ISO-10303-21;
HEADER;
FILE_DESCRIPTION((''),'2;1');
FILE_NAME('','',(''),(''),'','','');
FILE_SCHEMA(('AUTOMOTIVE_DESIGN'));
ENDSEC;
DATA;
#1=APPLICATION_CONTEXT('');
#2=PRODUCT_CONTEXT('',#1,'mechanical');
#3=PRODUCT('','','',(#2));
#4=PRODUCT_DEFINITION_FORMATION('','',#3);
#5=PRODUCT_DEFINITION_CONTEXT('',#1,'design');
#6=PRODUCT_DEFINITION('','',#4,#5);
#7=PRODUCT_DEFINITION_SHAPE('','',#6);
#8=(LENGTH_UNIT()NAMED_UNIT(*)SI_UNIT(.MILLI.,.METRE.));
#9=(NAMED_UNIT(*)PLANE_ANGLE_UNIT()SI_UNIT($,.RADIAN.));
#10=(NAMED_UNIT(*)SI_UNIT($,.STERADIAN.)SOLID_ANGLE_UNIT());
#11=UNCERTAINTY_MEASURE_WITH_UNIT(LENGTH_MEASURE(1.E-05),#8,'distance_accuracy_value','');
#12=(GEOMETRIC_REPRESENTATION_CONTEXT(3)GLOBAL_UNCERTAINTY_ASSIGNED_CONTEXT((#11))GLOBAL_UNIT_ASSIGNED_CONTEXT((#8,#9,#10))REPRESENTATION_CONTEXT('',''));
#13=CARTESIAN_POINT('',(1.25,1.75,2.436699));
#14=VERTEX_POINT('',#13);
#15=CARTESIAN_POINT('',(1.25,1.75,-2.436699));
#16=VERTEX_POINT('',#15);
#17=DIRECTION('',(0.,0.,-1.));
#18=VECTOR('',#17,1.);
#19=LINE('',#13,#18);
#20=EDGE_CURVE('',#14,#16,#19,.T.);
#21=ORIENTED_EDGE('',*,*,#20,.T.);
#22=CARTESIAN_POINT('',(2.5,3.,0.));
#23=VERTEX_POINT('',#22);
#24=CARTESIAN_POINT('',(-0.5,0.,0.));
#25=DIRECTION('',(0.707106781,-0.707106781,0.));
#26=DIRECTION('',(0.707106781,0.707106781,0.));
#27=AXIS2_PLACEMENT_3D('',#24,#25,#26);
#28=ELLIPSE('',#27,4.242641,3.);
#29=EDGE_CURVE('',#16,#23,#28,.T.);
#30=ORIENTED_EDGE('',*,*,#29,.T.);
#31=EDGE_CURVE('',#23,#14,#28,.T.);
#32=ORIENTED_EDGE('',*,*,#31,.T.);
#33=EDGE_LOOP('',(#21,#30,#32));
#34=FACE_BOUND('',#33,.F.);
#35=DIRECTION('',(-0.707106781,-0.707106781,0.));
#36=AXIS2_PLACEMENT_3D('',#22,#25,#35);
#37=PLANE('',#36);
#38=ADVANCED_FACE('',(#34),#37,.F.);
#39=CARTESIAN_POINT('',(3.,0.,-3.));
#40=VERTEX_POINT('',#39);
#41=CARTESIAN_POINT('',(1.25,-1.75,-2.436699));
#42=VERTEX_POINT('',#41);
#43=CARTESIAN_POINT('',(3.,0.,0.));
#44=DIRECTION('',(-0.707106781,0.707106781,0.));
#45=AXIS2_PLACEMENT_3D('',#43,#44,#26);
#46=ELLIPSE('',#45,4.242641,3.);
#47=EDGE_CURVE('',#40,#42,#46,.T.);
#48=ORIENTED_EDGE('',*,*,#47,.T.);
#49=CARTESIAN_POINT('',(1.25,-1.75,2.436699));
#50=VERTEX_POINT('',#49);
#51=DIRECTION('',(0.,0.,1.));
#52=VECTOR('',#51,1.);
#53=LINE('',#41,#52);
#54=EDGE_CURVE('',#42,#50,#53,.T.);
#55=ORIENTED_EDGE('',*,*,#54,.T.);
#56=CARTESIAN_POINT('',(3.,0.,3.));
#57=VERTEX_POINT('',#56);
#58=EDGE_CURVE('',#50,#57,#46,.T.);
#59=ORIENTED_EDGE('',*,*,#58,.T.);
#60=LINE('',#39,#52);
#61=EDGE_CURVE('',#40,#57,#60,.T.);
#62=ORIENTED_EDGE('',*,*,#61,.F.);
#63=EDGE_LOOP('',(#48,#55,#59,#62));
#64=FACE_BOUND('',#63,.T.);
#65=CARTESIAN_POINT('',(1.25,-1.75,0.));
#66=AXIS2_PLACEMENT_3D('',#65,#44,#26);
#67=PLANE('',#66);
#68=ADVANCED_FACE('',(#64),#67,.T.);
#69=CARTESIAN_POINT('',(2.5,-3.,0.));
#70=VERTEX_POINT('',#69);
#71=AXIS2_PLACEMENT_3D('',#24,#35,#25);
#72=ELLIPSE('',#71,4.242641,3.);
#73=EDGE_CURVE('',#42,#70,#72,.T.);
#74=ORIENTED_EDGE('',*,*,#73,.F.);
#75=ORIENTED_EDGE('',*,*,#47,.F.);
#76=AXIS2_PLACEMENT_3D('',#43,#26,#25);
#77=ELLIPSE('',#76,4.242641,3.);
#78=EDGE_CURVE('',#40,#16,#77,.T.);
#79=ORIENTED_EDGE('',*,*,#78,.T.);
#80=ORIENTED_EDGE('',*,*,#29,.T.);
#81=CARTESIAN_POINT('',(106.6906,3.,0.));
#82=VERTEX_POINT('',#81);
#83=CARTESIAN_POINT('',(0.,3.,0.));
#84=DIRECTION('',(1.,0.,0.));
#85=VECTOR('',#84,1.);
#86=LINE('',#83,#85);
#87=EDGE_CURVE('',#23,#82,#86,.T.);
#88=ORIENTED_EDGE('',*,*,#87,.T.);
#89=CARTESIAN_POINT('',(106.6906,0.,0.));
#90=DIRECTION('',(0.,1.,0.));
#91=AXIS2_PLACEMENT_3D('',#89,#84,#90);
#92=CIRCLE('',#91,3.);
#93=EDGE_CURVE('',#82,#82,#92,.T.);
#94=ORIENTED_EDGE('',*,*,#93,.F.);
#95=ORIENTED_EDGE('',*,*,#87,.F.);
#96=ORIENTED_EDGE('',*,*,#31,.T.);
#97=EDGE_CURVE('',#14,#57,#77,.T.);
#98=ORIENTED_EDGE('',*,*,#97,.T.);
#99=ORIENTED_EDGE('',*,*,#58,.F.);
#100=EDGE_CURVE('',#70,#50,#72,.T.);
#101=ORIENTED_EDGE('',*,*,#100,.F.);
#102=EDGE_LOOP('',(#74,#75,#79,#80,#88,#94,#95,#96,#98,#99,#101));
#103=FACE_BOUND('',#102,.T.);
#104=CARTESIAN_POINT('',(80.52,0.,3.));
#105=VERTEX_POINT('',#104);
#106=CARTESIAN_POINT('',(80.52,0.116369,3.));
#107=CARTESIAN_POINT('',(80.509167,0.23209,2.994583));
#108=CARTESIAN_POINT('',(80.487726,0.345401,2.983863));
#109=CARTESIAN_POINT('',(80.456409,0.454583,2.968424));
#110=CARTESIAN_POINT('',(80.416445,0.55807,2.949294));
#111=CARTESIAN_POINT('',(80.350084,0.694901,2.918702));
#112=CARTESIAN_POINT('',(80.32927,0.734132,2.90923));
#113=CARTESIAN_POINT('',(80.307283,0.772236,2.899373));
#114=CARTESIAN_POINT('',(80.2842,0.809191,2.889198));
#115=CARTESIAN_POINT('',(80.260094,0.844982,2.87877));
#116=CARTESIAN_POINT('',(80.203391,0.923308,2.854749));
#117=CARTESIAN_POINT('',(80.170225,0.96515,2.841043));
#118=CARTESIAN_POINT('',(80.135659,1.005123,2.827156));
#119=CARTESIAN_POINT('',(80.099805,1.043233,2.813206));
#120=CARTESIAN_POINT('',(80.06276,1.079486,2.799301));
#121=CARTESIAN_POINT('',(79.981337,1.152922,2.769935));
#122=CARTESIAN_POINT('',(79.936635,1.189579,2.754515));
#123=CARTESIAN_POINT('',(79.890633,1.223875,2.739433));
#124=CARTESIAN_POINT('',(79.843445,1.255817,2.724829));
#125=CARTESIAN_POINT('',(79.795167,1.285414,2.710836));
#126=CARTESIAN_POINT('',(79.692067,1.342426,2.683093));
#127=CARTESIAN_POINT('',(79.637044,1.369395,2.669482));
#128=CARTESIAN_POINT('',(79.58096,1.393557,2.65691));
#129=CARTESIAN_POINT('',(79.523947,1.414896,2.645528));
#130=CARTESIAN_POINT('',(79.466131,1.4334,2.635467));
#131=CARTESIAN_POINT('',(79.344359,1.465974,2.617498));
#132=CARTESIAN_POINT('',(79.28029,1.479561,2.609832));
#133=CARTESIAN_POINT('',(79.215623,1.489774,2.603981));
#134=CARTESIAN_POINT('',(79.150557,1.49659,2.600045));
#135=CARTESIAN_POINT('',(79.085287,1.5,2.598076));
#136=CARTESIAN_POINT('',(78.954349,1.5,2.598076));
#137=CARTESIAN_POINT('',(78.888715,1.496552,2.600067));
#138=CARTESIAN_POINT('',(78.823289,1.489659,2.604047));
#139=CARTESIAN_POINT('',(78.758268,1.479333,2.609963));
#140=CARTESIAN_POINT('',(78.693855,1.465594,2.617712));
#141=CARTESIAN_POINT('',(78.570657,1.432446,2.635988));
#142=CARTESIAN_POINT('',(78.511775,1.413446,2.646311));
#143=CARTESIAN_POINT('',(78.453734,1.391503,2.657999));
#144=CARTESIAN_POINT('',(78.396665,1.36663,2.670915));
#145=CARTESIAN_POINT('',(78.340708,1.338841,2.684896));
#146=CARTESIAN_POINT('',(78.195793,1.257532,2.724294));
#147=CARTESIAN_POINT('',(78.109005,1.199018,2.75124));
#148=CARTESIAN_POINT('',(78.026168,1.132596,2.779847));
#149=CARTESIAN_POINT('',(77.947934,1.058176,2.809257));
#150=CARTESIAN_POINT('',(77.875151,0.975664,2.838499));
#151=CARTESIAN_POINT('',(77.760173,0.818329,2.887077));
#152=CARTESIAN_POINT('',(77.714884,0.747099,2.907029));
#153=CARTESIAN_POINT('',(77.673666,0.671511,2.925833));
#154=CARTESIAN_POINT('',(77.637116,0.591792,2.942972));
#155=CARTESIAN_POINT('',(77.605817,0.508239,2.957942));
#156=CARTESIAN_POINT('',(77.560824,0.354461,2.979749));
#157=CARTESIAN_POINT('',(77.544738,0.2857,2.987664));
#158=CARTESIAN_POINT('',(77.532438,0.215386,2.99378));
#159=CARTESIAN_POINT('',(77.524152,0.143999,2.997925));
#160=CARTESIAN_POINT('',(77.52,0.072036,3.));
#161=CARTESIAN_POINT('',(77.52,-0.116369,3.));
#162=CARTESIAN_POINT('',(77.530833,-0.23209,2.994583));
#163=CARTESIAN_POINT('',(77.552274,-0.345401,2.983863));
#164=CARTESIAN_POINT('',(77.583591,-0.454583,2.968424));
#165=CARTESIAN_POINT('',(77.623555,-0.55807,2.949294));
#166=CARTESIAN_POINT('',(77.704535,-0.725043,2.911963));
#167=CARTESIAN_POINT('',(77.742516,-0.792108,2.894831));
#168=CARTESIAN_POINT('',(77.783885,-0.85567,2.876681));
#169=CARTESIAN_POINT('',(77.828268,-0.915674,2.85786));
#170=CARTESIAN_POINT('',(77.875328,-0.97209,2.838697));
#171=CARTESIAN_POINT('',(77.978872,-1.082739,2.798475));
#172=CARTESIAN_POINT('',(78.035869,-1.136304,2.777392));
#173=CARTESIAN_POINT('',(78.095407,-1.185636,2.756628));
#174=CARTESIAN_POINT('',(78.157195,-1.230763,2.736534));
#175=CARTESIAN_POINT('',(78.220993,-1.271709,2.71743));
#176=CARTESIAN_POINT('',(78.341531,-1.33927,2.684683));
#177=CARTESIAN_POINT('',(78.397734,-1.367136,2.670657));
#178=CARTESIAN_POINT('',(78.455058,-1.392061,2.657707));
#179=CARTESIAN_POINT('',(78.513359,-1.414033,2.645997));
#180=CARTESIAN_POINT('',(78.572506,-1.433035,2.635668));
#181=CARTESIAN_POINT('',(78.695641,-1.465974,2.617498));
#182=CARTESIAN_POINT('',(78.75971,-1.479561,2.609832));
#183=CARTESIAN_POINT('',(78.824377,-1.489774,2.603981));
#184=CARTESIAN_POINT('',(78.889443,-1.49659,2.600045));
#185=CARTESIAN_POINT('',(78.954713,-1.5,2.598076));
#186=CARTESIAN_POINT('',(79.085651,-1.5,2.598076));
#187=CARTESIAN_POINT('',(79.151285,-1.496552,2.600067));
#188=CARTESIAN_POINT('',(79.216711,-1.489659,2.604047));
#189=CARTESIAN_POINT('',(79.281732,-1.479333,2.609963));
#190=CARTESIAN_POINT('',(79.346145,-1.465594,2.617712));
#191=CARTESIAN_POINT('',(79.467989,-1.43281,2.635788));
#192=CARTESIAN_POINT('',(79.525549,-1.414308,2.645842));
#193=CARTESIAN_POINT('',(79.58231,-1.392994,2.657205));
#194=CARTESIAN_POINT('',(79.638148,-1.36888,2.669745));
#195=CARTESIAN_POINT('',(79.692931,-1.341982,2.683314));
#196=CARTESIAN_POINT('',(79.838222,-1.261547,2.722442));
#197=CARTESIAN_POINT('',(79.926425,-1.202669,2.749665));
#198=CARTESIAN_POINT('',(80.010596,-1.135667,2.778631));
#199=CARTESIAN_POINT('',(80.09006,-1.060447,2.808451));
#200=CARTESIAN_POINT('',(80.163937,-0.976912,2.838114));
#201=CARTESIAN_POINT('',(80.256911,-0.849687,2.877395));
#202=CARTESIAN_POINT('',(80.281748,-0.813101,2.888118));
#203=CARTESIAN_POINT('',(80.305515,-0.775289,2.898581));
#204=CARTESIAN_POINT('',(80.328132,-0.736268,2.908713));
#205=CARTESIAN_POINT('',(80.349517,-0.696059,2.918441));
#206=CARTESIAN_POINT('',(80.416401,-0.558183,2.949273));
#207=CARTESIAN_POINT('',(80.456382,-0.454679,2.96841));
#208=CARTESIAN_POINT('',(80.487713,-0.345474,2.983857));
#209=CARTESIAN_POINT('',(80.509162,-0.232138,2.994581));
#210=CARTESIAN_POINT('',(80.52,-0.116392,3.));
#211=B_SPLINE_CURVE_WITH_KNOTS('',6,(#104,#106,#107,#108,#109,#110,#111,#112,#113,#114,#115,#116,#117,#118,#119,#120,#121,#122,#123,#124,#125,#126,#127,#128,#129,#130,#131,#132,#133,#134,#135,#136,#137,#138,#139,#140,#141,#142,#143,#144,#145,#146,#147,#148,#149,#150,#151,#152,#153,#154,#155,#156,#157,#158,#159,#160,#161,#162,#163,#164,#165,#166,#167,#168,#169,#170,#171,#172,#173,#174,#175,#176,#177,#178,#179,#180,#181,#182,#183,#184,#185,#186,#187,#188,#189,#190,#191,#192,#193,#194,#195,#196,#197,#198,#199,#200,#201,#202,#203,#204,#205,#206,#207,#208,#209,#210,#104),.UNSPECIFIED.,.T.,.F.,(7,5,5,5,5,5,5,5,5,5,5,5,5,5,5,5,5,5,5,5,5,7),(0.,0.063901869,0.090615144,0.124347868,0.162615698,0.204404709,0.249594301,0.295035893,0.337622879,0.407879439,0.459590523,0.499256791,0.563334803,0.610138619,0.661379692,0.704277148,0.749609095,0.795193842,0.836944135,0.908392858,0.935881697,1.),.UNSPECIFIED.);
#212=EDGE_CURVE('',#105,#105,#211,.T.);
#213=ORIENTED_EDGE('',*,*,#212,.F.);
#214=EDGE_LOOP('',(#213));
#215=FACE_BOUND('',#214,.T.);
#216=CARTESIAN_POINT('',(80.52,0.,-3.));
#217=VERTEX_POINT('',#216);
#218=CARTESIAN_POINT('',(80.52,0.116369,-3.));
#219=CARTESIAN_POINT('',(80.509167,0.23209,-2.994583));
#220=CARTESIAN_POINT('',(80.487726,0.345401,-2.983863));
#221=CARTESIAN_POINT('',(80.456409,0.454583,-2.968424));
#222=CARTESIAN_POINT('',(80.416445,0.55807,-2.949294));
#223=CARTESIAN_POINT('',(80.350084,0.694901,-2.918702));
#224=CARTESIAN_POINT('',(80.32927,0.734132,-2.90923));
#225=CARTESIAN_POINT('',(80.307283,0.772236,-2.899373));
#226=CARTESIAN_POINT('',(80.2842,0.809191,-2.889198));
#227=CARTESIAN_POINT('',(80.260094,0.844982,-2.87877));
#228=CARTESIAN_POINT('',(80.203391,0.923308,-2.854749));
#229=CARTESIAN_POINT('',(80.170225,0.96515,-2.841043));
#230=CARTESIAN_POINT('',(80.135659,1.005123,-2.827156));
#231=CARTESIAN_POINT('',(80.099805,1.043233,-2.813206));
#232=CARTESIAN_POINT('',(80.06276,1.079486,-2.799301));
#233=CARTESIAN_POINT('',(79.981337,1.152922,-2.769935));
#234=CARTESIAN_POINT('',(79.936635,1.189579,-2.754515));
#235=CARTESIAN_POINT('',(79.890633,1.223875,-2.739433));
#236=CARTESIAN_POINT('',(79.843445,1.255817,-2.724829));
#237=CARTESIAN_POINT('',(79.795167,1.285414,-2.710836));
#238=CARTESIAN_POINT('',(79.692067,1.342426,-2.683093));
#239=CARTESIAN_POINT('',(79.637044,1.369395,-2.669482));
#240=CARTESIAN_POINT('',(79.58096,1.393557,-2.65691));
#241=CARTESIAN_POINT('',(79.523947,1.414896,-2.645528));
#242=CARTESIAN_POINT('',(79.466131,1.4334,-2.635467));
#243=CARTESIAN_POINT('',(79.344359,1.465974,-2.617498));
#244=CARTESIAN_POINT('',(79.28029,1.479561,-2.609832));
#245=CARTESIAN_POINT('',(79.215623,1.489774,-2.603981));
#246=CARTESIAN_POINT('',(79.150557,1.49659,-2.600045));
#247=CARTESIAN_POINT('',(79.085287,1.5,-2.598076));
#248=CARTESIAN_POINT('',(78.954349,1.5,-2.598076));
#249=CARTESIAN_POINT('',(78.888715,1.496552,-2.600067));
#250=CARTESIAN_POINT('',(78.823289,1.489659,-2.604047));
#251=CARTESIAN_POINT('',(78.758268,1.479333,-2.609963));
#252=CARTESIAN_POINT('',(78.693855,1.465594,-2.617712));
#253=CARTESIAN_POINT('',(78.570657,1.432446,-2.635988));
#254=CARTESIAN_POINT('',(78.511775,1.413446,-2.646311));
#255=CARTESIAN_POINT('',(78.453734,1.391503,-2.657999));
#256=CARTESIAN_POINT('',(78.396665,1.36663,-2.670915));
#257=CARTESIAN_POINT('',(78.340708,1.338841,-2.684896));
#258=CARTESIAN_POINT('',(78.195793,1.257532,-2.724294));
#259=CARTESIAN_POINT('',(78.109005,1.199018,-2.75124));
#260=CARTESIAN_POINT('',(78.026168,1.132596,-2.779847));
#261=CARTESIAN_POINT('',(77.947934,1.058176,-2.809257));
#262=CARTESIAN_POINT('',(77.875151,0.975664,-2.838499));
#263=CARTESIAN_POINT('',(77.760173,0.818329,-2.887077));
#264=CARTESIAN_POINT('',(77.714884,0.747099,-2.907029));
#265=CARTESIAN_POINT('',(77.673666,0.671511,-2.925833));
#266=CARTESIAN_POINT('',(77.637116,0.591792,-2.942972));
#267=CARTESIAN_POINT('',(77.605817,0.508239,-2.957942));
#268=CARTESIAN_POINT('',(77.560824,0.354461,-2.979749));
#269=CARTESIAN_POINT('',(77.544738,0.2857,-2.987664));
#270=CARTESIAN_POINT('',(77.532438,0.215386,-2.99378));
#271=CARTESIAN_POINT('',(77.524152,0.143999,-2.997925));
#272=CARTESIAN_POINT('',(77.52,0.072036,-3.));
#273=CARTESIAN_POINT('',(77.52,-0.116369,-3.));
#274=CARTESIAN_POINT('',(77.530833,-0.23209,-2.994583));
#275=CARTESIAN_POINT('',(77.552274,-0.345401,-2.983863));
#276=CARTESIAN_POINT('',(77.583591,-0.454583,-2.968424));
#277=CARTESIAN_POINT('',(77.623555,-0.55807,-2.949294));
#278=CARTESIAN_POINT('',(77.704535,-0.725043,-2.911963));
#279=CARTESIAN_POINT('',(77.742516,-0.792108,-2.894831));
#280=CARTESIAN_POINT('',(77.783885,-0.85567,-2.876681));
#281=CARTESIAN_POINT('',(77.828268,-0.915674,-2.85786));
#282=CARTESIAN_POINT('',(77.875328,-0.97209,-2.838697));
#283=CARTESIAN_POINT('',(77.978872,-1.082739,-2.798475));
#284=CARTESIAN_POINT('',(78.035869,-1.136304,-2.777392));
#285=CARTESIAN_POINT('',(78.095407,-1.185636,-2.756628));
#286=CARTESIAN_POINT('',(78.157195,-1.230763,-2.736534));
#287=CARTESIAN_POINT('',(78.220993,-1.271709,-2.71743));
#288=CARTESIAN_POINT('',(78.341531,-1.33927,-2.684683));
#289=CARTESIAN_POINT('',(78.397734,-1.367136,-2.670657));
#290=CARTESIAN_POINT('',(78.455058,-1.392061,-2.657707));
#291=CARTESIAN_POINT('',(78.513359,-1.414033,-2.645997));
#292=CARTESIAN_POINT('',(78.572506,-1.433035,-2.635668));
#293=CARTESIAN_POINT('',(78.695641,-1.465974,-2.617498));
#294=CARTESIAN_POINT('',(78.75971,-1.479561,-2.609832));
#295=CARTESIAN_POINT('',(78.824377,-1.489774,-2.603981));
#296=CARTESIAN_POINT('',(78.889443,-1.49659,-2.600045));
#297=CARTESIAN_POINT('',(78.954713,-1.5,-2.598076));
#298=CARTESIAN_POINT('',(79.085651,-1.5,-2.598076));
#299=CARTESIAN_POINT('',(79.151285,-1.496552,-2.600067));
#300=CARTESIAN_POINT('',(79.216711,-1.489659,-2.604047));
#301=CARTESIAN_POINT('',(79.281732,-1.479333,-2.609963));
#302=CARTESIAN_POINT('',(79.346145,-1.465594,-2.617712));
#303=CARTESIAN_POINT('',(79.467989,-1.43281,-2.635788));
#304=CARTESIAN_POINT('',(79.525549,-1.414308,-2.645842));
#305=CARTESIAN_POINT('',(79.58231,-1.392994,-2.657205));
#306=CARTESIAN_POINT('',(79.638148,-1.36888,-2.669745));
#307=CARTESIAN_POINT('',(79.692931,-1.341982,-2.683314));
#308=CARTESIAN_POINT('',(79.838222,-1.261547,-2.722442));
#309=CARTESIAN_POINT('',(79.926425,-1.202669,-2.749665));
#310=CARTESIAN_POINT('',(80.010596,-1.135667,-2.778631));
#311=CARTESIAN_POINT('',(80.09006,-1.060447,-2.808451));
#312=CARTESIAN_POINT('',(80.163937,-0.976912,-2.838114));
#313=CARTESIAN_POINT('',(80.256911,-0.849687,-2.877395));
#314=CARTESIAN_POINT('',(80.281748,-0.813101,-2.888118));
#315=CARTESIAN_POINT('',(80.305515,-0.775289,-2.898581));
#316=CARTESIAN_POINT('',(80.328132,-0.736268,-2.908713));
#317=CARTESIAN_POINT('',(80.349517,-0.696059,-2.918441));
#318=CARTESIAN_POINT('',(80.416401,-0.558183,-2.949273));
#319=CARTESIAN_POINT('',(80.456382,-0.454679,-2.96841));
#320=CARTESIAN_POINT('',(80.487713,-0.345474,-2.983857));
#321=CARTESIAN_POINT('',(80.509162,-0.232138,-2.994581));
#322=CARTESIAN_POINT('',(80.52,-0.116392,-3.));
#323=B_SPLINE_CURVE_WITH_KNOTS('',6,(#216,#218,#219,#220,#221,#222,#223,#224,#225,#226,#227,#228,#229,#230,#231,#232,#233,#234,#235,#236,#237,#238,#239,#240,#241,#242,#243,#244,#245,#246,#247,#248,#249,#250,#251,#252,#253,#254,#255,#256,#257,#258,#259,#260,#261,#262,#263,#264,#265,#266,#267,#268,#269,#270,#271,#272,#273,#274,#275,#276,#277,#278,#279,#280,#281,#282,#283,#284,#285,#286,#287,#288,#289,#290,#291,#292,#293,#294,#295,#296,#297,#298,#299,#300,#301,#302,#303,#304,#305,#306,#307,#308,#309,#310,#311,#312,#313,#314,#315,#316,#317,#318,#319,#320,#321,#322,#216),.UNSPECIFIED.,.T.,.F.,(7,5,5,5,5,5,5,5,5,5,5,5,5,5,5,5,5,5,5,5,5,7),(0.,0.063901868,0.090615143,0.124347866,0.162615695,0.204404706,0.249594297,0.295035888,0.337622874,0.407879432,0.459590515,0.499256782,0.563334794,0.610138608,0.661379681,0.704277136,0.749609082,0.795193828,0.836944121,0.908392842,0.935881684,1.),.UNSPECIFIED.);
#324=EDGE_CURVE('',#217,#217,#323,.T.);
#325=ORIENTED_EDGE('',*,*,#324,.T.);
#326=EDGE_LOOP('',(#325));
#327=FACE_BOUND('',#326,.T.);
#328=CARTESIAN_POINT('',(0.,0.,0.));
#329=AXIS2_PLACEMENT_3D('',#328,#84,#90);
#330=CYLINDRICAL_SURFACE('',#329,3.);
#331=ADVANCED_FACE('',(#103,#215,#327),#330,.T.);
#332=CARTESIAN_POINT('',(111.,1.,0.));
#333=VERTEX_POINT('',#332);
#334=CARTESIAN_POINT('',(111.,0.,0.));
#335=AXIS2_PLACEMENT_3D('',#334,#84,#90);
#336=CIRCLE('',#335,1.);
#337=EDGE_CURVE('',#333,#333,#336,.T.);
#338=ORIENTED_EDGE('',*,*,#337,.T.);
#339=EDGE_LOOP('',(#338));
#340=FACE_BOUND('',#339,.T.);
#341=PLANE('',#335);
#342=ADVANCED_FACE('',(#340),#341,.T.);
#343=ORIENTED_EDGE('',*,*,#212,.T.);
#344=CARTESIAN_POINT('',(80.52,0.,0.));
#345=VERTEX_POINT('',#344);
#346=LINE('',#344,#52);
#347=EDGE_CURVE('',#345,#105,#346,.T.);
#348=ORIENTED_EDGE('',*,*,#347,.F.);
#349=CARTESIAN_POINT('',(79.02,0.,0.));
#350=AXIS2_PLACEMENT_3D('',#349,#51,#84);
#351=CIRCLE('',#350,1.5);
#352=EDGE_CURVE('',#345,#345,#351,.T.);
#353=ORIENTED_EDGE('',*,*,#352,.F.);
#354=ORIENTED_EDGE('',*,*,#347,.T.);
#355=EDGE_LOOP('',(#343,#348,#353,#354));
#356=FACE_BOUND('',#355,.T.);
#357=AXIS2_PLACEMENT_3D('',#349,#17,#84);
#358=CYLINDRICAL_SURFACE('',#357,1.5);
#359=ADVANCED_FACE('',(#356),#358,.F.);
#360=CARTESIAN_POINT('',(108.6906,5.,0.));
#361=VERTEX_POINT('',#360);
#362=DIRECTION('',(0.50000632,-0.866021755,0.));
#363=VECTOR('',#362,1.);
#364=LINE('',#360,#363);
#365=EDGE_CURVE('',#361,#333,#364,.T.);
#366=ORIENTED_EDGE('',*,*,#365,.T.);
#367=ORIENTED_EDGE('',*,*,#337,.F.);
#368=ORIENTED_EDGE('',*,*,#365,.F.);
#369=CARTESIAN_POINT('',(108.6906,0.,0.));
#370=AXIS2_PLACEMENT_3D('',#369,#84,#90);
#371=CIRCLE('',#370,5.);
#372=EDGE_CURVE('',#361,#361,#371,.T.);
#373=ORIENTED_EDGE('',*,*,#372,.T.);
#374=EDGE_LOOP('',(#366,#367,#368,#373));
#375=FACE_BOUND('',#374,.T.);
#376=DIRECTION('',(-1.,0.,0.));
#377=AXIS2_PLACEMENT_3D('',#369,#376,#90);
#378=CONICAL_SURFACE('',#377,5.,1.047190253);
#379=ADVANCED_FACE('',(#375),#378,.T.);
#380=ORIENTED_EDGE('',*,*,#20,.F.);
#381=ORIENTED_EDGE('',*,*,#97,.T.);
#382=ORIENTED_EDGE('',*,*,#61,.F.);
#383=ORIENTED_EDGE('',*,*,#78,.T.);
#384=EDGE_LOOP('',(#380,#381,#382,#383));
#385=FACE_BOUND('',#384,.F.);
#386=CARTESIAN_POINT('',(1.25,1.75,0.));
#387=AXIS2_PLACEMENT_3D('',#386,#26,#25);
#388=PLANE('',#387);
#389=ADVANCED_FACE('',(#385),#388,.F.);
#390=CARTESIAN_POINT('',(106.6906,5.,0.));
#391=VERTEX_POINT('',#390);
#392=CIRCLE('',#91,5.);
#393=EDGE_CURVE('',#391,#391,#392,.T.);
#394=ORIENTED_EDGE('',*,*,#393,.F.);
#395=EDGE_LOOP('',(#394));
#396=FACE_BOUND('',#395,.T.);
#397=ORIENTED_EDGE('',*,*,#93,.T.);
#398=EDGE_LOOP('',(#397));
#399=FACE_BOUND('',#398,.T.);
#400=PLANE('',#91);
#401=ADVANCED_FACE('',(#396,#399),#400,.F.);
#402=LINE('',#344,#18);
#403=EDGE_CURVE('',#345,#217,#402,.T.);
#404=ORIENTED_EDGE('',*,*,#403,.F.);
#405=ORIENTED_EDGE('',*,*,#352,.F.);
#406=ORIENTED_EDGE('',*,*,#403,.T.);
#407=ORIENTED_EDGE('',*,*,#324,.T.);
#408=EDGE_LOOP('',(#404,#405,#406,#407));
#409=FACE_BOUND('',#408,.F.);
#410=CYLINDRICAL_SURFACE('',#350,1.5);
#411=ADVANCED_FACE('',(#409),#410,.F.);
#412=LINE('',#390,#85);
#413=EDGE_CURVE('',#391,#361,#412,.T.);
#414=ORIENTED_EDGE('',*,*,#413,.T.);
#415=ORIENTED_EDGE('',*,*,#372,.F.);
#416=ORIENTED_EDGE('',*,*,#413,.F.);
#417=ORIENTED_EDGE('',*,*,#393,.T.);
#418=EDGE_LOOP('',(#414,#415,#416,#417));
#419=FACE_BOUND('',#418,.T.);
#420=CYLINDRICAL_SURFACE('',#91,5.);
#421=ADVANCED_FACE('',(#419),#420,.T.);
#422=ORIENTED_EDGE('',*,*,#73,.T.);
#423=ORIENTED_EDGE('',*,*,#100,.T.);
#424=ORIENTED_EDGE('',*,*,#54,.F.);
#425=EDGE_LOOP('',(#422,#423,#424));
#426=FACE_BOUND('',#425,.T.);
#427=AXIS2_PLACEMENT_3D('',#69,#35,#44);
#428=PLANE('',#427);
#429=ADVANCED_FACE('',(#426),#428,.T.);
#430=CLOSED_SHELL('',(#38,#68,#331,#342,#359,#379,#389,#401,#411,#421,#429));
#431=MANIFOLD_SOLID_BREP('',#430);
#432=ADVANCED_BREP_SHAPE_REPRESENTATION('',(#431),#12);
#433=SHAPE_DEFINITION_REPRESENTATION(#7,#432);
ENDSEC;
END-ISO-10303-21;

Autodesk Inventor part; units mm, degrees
ref_plane "YZ Plane" through (0, 0, 0) normal (1, 0, 0) x (0, 1, 0)
ref_plane "XZ Plane" through (0, 0, 0) normal (0, 1, 0) x (-1, 0, 0)
ref_plane "XY Plane" through (0, 0, 0) normal (0, 0, 1) x (1, 0, 0)
sketch "Sketch1" plane through (0, 0, 0) normal (0, 0, 1) x (1, 0, 0)
  line L0 (-22.3155, 0) -> (133.8928, 0) projected
  line L1 (0, -4.6) -> (0, 6.6) projected
  line L2 (0, 3) -> (106.6906, 3)
  line L3 (106.6906, 3) -> (106.6906, 5)
  line L4 (106.6906, 5) -> (108.6906, 5)
  line L5 (108.6906, 5) -> (111.5774, 0)
  line L6 (0, 3) -> (3, 0)
  line L7 (0, 3) -> (0, 0)
  line L8 (111, 1) -> (111, 0)
  line L9 (0, -3) -> (3, 0)
  circle A0 centre (79.02, 0) radius 1.5
  line L10 (2.5, 3) -> (1.25, 1.75)
  line L11 (0, -3) -> (106.6906, -3)
  line L12 (2.5, -3) -> (1.25, -1.75)
  dimension "d0" = 6
  dimension "d1" = 3
  dimension "d2" = 60
  dimension "d3" = 2
  dimension "d4" = 10
  dimension "d5" = 2
  dimension "d6" = 111
  dimension "d10" = 3
  dimension "d14" = 2.5
  dimension "d16" = 31.98
revolve "Revolution1" add sketch "Sketch1" angle 360 about axis through (-10, 0, 0) along (1, 0, 0) picked at (79.1973, 0.4675) contours L6 L10 L2 L3 L4 L5 L8 L0 A0 | L2 L10 L6 | A0 L0
extrude "Extrusion1" cut sketch "Sketch1" along normal through all both and the other way through all contours L1 L6 L0 | L0 L9 L1 | L9 L12 L11 | L2 L10 L6 | A0 L0 | L0 A0
equation "\"d1\" = 0.5 * d0"
properties part number "TW1-002"
